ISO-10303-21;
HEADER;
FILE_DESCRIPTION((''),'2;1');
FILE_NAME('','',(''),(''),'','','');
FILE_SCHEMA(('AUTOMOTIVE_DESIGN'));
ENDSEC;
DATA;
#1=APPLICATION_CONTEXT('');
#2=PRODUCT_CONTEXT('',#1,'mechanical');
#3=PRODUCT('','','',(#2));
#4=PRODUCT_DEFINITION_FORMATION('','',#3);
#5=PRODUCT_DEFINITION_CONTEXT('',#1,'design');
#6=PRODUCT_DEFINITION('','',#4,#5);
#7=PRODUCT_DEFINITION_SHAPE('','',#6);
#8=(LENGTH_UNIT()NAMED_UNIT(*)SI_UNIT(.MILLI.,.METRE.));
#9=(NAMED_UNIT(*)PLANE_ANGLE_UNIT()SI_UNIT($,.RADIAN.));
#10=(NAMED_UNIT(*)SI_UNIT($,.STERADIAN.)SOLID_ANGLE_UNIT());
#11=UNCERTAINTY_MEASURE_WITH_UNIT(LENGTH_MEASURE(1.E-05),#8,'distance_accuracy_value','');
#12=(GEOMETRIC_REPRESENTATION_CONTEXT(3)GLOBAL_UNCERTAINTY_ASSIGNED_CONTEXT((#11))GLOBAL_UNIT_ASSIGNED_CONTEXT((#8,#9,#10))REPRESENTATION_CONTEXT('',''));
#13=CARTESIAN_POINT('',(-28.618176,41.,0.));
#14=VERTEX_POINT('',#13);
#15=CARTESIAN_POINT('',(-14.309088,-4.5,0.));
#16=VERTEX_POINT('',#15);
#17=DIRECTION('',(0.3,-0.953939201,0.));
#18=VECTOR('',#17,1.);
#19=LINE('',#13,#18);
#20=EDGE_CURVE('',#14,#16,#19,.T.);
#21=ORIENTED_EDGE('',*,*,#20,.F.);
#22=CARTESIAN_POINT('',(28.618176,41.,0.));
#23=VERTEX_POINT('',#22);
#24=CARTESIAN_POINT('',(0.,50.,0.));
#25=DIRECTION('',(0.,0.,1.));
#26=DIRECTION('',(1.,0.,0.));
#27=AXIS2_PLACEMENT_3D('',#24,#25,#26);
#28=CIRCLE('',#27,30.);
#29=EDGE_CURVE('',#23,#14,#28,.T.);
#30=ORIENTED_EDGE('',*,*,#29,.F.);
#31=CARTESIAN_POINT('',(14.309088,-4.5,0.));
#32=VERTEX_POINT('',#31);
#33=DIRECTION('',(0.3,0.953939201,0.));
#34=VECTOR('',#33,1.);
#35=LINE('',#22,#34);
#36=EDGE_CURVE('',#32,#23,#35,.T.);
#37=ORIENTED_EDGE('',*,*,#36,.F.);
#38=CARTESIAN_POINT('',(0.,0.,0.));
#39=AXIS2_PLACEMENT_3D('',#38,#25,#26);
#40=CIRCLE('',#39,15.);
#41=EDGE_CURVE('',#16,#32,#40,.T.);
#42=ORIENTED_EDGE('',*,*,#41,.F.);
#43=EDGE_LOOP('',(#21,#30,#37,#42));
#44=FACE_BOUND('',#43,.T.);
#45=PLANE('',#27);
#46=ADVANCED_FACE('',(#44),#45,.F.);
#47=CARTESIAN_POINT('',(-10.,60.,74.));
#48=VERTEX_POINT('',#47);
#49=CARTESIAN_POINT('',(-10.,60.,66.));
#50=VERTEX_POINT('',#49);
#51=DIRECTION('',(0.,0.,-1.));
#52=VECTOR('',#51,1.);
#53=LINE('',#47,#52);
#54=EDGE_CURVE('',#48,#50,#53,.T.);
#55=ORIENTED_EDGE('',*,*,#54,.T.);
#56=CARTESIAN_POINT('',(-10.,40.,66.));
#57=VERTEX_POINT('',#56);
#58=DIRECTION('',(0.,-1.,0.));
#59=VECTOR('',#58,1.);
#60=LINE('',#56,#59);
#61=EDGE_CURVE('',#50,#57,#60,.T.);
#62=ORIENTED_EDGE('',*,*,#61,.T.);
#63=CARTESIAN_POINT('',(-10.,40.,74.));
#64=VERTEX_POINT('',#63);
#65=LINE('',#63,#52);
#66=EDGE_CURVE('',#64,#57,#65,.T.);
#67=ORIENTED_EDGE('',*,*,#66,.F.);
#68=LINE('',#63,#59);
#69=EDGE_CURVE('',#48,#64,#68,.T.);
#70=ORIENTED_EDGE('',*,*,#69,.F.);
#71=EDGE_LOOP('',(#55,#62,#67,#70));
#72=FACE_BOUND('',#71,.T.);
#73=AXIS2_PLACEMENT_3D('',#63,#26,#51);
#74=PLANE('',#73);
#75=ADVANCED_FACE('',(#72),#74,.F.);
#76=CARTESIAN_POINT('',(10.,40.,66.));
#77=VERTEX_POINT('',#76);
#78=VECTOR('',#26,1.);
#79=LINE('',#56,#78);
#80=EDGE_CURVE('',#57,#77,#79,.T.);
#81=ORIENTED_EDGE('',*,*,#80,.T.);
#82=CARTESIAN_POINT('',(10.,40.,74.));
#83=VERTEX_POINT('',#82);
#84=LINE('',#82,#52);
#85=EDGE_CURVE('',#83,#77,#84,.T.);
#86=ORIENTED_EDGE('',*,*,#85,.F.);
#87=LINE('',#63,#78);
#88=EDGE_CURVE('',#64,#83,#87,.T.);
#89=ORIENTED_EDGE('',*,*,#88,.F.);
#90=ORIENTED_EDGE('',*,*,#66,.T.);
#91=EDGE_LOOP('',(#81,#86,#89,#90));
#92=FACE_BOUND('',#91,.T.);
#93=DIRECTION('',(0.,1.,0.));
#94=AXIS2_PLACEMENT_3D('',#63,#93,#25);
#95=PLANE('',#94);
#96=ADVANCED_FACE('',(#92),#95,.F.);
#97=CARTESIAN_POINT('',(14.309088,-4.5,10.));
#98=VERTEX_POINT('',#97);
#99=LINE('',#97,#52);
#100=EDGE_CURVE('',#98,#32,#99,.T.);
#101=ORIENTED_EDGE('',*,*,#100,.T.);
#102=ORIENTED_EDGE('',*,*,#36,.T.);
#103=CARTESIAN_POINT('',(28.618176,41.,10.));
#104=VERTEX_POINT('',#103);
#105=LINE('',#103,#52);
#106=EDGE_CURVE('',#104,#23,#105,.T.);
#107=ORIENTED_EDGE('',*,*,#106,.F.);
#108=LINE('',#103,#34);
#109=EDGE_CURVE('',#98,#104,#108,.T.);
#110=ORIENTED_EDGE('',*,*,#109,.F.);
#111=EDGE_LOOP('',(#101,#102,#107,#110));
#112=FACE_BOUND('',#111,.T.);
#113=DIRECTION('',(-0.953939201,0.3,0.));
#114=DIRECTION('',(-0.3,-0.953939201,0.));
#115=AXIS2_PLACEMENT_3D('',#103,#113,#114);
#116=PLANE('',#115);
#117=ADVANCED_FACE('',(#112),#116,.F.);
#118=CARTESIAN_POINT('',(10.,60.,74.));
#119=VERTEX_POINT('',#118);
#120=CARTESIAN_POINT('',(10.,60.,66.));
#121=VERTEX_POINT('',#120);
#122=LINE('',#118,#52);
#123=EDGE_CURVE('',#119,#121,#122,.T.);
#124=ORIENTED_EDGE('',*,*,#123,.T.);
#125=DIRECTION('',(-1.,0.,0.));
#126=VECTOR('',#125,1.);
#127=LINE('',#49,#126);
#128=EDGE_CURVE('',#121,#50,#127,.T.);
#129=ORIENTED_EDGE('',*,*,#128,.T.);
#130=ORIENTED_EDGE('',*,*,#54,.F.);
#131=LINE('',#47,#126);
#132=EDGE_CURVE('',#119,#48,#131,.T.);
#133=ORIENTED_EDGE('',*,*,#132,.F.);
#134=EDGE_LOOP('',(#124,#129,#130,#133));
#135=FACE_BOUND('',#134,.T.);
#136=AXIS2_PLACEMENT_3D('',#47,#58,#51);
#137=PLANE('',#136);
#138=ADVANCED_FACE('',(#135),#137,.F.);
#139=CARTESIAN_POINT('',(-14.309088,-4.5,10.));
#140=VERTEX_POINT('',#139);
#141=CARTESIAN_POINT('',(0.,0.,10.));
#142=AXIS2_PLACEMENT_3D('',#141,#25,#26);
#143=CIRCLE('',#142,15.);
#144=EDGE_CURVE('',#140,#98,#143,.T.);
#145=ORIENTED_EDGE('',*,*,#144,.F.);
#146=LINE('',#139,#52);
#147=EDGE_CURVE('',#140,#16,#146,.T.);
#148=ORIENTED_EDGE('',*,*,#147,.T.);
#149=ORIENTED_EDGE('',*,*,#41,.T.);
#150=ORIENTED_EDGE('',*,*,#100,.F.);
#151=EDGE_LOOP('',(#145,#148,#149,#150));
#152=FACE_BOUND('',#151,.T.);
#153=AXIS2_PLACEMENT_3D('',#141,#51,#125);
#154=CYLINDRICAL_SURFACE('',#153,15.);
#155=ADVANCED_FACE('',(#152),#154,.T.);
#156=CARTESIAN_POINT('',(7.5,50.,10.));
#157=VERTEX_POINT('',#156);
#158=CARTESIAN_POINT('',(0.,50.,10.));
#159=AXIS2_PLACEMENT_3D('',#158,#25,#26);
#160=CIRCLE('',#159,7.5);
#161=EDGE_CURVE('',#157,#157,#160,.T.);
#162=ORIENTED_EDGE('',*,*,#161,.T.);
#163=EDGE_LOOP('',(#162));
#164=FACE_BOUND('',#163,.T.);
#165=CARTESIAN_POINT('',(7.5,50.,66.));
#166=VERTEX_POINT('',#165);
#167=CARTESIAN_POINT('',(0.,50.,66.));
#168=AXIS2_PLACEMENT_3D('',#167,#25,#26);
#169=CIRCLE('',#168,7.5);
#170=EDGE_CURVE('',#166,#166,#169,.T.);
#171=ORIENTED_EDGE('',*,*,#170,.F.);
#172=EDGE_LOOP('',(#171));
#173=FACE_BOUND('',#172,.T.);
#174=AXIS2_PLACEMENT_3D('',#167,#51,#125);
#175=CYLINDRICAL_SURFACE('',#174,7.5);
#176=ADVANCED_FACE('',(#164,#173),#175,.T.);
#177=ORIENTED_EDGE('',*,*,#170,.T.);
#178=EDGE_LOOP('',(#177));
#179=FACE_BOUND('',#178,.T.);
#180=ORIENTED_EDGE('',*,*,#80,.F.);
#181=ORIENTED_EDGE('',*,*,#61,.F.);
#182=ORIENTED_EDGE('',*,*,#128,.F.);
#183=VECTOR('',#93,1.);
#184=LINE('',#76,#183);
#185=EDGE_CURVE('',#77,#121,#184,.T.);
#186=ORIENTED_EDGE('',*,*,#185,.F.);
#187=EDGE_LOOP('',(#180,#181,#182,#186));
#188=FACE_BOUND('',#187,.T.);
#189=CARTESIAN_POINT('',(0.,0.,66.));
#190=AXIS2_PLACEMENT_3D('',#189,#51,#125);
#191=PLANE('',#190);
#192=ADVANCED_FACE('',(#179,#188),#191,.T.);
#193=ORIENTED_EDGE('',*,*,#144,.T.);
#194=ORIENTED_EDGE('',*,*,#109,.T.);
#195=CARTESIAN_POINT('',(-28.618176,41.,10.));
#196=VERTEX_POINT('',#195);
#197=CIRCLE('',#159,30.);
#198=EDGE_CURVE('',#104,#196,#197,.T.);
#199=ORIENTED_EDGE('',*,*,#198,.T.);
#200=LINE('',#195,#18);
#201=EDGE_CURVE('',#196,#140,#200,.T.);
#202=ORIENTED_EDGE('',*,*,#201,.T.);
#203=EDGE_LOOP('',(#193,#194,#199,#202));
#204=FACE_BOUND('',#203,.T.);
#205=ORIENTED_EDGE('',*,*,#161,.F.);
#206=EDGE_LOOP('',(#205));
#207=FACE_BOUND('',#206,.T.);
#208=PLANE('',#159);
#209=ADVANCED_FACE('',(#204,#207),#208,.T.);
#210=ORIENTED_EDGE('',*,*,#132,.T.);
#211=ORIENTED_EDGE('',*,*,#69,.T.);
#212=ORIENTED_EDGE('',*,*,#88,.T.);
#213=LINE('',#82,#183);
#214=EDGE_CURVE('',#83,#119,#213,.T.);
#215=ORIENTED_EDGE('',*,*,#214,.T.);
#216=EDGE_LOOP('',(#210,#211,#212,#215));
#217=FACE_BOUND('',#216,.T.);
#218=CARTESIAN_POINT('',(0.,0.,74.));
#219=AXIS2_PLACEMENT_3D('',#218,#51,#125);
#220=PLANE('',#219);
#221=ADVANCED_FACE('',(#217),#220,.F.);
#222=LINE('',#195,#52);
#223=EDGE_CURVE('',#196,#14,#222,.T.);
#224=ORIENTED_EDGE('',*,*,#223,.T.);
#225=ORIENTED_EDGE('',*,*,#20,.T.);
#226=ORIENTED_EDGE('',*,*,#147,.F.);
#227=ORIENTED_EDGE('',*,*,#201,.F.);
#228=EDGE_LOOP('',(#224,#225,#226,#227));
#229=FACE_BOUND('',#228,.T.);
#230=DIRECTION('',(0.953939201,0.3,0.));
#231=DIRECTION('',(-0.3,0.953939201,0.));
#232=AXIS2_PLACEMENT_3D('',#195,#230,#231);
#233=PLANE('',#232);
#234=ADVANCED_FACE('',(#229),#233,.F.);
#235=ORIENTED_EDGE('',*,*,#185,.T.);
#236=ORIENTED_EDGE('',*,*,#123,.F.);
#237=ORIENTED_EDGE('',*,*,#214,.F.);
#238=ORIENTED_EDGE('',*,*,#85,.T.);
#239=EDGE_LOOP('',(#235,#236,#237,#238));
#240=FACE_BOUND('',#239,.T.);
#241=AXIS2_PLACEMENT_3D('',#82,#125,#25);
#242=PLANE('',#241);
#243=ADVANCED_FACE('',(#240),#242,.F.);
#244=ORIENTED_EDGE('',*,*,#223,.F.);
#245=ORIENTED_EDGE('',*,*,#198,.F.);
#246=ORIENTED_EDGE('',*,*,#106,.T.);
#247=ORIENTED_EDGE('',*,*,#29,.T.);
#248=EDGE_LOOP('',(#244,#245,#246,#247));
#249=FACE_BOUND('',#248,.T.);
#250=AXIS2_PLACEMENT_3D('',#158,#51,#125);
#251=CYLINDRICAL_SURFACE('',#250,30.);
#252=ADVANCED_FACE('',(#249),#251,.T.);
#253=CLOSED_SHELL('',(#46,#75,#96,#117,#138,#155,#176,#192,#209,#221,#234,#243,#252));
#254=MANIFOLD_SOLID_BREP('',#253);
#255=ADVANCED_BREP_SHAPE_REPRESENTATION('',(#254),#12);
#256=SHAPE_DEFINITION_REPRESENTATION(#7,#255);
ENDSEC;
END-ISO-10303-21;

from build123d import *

# Parameters (mm, degrees)
BOSS_EXTRUDE1_DEPTH = 10
SKETCH2_R           = 7.5
BOSS_EXTRUDE2_DEPTH = 56
SKETCH3_W           = 20
SKETCH3_H           = 20
BOSS_EXTRUDE3_DEPTH = 8


with BuildPart() as part:
    # Sketch1 → Boss-Extrude1 (new body)
    with BuildSketch(Plane.XY):
        with BuildLine():
            Line((-28.618176043, 41), (-14.309088021, -4.5))
            ThreePointArc((-14.309088021, -4.5), (0, -15), (14.309088021, -4.5))
            Line((14.309088021, -4.5), (28.618176042, 41))
            ThreePointArc((28.618176042, 41), (0, 80), (-28.618176043, 41))
        make_face()
    extrude(amount=BOSS_EXTRUDE1_DEPTH)

    # Sketch2 → Boss-Extrude2 (add)
    with BuildSketch(Plane.XY.offset(10)):
        with Locations((0, 50)):
            Circle(SKETCH2_R)
    extrude(amount=BOSS_EXTRUDE2_DEPTH)

    # Sketch3 → Boss-Extrude3 (add)
    with BuildSketch(Plane.XY.offset(66)):
        with Locations((0, 50)):
            Rectangle(SKETCH3_W, SKETCH3_H)
    extrude(amount=BOSS_EXTRUDE3_DEPTH)


solid = part.part
